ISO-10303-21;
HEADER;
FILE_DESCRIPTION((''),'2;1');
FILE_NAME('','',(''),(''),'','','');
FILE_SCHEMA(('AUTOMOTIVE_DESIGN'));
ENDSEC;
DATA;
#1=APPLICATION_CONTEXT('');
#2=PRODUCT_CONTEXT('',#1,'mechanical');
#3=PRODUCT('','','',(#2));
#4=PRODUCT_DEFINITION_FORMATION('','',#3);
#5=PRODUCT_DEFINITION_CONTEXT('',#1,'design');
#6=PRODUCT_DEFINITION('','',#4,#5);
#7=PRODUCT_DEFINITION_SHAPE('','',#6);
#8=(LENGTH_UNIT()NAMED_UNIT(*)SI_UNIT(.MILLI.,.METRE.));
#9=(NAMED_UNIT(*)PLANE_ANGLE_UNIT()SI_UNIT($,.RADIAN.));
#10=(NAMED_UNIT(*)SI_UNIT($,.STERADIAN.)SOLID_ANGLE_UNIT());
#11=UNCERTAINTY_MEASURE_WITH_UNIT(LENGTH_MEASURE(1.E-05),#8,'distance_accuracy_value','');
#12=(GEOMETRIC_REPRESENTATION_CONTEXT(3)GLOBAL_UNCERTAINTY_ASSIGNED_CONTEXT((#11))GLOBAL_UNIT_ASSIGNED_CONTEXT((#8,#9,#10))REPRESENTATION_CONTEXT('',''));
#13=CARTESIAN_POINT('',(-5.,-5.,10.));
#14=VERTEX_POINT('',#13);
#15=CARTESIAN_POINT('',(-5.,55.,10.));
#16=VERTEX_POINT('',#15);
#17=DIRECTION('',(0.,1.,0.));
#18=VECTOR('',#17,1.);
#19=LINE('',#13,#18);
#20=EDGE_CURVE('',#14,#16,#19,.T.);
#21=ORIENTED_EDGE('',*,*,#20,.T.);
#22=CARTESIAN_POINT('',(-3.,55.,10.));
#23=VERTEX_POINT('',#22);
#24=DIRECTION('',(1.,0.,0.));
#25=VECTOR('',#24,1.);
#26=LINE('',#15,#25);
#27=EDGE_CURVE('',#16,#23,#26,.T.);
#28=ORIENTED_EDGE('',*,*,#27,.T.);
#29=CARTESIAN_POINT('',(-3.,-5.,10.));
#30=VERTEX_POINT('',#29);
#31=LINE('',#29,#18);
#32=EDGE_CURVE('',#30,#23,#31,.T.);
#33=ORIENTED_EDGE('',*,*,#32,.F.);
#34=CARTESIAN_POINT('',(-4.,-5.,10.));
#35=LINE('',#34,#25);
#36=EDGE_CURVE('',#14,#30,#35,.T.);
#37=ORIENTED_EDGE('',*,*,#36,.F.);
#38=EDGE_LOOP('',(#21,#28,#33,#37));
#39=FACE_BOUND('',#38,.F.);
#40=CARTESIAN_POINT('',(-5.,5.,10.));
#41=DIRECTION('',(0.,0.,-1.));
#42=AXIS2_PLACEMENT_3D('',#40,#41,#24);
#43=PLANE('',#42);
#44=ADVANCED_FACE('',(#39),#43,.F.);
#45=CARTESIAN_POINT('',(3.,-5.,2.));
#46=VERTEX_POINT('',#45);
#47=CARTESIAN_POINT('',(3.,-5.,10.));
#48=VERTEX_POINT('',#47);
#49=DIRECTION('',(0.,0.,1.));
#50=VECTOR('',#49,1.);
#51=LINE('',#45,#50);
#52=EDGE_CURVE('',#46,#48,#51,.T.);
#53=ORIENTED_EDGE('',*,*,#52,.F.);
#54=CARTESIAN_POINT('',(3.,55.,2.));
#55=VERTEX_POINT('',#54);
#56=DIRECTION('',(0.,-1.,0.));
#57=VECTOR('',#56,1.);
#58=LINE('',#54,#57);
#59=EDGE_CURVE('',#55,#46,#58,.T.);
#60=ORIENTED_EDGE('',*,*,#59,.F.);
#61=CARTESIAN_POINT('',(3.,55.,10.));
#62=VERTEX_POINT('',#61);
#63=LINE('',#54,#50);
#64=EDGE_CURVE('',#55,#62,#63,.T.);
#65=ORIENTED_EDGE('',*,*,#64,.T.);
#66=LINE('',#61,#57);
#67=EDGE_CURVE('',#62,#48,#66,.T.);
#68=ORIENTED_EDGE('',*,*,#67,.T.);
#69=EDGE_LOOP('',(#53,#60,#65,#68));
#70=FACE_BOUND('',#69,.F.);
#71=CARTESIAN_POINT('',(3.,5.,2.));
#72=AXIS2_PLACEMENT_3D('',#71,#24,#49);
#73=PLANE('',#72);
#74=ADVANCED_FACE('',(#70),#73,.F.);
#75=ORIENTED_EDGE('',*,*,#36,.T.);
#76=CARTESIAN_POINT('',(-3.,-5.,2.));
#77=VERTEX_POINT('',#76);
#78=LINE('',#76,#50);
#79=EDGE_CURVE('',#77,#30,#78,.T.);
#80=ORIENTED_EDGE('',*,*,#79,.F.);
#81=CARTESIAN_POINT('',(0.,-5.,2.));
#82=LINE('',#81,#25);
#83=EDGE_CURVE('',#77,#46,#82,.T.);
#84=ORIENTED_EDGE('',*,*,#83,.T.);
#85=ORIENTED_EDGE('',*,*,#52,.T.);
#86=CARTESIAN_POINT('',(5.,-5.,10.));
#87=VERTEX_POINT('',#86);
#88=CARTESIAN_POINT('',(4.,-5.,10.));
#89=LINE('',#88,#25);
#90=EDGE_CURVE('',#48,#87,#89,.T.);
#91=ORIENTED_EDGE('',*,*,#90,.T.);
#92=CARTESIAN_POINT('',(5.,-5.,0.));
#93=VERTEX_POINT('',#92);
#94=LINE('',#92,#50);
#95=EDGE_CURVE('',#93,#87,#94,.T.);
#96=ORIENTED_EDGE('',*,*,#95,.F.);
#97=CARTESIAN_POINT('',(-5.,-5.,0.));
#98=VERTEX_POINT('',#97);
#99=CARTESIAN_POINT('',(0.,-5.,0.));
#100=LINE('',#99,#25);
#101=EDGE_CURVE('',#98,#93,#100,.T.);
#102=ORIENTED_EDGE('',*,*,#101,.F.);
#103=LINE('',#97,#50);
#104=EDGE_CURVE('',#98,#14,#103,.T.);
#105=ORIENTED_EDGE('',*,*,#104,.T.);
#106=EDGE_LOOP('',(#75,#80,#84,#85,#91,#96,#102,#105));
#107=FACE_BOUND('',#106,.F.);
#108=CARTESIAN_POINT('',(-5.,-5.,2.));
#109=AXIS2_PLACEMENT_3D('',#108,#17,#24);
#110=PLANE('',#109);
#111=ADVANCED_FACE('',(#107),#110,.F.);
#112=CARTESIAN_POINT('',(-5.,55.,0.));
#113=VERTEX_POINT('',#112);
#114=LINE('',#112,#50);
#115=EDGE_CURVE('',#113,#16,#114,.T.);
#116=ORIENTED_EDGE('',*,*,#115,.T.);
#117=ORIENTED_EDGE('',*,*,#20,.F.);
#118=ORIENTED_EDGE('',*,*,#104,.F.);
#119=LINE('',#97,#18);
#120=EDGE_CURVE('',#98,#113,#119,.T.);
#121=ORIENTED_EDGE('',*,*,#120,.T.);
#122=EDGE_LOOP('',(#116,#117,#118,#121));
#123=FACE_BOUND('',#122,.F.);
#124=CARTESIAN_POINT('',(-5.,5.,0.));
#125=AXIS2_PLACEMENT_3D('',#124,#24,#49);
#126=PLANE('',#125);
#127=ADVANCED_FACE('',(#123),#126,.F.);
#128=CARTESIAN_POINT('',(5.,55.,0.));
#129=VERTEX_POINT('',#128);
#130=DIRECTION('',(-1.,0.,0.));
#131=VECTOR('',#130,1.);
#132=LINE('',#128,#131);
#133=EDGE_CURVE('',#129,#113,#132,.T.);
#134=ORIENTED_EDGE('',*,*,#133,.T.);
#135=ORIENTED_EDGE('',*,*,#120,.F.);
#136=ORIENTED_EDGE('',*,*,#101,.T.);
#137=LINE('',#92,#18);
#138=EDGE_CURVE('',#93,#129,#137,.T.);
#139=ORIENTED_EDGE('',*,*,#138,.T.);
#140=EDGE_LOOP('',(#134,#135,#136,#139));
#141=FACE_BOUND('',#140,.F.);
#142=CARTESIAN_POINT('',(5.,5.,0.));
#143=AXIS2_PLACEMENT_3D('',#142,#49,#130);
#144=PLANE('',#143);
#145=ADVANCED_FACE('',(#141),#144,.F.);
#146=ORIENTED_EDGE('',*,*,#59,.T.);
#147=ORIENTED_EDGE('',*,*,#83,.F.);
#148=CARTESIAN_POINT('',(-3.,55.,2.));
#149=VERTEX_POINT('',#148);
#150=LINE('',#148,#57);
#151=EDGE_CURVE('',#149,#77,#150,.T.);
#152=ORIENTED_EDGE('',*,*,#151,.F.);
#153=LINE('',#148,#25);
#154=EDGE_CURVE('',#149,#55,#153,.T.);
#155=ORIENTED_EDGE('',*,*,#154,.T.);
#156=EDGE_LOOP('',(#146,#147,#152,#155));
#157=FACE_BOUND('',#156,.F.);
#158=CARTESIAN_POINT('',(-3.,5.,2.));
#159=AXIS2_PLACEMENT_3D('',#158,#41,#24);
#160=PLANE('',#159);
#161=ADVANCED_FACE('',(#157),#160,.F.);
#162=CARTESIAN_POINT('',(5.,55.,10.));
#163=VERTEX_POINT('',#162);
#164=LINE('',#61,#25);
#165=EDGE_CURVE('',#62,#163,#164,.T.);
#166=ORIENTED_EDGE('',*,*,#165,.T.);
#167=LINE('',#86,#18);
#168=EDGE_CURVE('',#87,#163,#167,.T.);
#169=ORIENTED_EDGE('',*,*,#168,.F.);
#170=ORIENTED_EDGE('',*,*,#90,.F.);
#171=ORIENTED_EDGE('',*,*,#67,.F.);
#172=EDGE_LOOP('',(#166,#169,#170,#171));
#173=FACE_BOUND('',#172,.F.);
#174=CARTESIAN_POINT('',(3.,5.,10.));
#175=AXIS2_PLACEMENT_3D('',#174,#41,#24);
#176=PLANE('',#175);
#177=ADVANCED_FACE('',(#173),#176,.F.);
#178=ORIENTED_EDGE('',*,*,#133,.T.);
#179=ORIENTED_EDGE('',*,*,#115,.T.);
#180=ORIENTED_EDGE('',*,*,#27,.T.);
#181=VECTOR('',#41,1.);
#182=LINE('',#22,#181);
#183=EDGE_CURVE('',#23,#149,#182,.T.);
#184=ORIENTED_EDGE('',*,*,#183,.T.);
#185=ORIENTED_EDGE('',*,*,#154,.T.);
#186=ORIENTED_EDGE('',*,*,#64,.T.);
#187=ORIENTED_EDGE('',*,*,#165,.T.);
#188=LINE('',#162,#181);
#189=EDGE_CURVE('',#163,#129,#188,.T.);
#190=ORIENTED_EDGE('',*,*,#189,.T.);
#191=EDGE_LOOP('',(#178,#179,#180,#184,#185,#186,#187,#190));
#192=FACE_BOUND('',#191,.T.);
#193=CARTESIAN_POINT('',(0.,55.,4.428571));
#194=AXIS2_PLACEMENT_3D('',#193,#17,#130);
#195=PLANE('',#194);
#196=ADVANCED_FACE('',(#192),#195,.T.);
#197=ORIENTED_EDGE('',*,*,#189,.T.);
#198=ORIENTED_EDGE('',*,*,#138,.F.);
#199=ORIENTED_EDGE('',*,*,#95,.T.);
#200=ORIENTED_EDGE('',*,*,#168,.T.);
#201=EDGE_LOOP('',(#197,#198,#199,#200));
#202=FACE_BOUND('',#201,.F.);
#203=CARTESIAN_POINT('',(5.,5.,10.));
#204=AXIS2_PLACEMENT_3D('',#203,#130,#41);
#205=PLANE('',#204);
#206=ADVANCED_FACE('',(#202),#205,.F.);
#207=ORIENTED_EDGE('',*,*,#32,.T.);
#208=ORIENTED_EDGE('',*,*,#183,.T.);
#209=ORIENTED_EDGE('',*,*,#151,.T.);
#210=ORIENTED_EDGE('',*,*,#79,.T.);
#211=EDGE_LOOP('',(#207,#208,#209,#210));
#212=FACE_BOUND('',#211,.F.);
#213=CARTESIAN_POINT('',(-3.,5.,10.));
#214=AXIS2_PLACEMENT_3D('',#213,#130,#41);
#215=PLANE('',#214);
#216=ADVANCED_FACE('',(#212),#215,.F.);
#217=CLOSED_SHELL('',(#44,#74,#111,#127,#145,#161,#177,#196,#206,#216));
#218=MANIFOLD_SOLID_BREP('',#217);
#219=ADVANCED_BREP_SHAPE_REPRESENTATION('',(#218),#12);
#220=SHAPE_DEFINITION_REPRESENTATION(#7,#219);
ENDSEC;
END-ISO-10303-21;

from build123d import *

# Parameters (mm, degrees)
F0_W     = 10
F0_H     = 10
F1_DEPTH = 2
F2_W     = 2
F2_H     = 10
F3_DEPTH = 8
F5_DEPTH = 50


with BuildPart() as f1:
    # F0 (on Top) → F1 (new body)
    with BuildSketch(Plane.XY):
        Rectangle(F0_W, F0_H)
    extrude(amount=F1_DEPTH)

    # F2 (on face) → F3 (join)
    with BuildSketch(Plane.XY.offset(2)):
        with Locations((-4, 0)):
            Rectangle(F2_W, F2_H)
        with Locations((4, 0)):
            Rectangle(F2_W, F2_H)
    extrude(amount=F3_DEPTH)

    # F4 (on face) → F5 (join)
    with BuildSketch(Plane(origin=(0, 5, 0), x_dir=(-1, 0, 0), z_dir=(0, 1, 0))):
        Polygon((-3, 10), (-5, 10), (-5, 0), (5, 0), (5, 10), (3, 10), (3, 2), (-3, 2), align=None)
    extrude(amount=F5_DEPTH)


solid = f1.part
